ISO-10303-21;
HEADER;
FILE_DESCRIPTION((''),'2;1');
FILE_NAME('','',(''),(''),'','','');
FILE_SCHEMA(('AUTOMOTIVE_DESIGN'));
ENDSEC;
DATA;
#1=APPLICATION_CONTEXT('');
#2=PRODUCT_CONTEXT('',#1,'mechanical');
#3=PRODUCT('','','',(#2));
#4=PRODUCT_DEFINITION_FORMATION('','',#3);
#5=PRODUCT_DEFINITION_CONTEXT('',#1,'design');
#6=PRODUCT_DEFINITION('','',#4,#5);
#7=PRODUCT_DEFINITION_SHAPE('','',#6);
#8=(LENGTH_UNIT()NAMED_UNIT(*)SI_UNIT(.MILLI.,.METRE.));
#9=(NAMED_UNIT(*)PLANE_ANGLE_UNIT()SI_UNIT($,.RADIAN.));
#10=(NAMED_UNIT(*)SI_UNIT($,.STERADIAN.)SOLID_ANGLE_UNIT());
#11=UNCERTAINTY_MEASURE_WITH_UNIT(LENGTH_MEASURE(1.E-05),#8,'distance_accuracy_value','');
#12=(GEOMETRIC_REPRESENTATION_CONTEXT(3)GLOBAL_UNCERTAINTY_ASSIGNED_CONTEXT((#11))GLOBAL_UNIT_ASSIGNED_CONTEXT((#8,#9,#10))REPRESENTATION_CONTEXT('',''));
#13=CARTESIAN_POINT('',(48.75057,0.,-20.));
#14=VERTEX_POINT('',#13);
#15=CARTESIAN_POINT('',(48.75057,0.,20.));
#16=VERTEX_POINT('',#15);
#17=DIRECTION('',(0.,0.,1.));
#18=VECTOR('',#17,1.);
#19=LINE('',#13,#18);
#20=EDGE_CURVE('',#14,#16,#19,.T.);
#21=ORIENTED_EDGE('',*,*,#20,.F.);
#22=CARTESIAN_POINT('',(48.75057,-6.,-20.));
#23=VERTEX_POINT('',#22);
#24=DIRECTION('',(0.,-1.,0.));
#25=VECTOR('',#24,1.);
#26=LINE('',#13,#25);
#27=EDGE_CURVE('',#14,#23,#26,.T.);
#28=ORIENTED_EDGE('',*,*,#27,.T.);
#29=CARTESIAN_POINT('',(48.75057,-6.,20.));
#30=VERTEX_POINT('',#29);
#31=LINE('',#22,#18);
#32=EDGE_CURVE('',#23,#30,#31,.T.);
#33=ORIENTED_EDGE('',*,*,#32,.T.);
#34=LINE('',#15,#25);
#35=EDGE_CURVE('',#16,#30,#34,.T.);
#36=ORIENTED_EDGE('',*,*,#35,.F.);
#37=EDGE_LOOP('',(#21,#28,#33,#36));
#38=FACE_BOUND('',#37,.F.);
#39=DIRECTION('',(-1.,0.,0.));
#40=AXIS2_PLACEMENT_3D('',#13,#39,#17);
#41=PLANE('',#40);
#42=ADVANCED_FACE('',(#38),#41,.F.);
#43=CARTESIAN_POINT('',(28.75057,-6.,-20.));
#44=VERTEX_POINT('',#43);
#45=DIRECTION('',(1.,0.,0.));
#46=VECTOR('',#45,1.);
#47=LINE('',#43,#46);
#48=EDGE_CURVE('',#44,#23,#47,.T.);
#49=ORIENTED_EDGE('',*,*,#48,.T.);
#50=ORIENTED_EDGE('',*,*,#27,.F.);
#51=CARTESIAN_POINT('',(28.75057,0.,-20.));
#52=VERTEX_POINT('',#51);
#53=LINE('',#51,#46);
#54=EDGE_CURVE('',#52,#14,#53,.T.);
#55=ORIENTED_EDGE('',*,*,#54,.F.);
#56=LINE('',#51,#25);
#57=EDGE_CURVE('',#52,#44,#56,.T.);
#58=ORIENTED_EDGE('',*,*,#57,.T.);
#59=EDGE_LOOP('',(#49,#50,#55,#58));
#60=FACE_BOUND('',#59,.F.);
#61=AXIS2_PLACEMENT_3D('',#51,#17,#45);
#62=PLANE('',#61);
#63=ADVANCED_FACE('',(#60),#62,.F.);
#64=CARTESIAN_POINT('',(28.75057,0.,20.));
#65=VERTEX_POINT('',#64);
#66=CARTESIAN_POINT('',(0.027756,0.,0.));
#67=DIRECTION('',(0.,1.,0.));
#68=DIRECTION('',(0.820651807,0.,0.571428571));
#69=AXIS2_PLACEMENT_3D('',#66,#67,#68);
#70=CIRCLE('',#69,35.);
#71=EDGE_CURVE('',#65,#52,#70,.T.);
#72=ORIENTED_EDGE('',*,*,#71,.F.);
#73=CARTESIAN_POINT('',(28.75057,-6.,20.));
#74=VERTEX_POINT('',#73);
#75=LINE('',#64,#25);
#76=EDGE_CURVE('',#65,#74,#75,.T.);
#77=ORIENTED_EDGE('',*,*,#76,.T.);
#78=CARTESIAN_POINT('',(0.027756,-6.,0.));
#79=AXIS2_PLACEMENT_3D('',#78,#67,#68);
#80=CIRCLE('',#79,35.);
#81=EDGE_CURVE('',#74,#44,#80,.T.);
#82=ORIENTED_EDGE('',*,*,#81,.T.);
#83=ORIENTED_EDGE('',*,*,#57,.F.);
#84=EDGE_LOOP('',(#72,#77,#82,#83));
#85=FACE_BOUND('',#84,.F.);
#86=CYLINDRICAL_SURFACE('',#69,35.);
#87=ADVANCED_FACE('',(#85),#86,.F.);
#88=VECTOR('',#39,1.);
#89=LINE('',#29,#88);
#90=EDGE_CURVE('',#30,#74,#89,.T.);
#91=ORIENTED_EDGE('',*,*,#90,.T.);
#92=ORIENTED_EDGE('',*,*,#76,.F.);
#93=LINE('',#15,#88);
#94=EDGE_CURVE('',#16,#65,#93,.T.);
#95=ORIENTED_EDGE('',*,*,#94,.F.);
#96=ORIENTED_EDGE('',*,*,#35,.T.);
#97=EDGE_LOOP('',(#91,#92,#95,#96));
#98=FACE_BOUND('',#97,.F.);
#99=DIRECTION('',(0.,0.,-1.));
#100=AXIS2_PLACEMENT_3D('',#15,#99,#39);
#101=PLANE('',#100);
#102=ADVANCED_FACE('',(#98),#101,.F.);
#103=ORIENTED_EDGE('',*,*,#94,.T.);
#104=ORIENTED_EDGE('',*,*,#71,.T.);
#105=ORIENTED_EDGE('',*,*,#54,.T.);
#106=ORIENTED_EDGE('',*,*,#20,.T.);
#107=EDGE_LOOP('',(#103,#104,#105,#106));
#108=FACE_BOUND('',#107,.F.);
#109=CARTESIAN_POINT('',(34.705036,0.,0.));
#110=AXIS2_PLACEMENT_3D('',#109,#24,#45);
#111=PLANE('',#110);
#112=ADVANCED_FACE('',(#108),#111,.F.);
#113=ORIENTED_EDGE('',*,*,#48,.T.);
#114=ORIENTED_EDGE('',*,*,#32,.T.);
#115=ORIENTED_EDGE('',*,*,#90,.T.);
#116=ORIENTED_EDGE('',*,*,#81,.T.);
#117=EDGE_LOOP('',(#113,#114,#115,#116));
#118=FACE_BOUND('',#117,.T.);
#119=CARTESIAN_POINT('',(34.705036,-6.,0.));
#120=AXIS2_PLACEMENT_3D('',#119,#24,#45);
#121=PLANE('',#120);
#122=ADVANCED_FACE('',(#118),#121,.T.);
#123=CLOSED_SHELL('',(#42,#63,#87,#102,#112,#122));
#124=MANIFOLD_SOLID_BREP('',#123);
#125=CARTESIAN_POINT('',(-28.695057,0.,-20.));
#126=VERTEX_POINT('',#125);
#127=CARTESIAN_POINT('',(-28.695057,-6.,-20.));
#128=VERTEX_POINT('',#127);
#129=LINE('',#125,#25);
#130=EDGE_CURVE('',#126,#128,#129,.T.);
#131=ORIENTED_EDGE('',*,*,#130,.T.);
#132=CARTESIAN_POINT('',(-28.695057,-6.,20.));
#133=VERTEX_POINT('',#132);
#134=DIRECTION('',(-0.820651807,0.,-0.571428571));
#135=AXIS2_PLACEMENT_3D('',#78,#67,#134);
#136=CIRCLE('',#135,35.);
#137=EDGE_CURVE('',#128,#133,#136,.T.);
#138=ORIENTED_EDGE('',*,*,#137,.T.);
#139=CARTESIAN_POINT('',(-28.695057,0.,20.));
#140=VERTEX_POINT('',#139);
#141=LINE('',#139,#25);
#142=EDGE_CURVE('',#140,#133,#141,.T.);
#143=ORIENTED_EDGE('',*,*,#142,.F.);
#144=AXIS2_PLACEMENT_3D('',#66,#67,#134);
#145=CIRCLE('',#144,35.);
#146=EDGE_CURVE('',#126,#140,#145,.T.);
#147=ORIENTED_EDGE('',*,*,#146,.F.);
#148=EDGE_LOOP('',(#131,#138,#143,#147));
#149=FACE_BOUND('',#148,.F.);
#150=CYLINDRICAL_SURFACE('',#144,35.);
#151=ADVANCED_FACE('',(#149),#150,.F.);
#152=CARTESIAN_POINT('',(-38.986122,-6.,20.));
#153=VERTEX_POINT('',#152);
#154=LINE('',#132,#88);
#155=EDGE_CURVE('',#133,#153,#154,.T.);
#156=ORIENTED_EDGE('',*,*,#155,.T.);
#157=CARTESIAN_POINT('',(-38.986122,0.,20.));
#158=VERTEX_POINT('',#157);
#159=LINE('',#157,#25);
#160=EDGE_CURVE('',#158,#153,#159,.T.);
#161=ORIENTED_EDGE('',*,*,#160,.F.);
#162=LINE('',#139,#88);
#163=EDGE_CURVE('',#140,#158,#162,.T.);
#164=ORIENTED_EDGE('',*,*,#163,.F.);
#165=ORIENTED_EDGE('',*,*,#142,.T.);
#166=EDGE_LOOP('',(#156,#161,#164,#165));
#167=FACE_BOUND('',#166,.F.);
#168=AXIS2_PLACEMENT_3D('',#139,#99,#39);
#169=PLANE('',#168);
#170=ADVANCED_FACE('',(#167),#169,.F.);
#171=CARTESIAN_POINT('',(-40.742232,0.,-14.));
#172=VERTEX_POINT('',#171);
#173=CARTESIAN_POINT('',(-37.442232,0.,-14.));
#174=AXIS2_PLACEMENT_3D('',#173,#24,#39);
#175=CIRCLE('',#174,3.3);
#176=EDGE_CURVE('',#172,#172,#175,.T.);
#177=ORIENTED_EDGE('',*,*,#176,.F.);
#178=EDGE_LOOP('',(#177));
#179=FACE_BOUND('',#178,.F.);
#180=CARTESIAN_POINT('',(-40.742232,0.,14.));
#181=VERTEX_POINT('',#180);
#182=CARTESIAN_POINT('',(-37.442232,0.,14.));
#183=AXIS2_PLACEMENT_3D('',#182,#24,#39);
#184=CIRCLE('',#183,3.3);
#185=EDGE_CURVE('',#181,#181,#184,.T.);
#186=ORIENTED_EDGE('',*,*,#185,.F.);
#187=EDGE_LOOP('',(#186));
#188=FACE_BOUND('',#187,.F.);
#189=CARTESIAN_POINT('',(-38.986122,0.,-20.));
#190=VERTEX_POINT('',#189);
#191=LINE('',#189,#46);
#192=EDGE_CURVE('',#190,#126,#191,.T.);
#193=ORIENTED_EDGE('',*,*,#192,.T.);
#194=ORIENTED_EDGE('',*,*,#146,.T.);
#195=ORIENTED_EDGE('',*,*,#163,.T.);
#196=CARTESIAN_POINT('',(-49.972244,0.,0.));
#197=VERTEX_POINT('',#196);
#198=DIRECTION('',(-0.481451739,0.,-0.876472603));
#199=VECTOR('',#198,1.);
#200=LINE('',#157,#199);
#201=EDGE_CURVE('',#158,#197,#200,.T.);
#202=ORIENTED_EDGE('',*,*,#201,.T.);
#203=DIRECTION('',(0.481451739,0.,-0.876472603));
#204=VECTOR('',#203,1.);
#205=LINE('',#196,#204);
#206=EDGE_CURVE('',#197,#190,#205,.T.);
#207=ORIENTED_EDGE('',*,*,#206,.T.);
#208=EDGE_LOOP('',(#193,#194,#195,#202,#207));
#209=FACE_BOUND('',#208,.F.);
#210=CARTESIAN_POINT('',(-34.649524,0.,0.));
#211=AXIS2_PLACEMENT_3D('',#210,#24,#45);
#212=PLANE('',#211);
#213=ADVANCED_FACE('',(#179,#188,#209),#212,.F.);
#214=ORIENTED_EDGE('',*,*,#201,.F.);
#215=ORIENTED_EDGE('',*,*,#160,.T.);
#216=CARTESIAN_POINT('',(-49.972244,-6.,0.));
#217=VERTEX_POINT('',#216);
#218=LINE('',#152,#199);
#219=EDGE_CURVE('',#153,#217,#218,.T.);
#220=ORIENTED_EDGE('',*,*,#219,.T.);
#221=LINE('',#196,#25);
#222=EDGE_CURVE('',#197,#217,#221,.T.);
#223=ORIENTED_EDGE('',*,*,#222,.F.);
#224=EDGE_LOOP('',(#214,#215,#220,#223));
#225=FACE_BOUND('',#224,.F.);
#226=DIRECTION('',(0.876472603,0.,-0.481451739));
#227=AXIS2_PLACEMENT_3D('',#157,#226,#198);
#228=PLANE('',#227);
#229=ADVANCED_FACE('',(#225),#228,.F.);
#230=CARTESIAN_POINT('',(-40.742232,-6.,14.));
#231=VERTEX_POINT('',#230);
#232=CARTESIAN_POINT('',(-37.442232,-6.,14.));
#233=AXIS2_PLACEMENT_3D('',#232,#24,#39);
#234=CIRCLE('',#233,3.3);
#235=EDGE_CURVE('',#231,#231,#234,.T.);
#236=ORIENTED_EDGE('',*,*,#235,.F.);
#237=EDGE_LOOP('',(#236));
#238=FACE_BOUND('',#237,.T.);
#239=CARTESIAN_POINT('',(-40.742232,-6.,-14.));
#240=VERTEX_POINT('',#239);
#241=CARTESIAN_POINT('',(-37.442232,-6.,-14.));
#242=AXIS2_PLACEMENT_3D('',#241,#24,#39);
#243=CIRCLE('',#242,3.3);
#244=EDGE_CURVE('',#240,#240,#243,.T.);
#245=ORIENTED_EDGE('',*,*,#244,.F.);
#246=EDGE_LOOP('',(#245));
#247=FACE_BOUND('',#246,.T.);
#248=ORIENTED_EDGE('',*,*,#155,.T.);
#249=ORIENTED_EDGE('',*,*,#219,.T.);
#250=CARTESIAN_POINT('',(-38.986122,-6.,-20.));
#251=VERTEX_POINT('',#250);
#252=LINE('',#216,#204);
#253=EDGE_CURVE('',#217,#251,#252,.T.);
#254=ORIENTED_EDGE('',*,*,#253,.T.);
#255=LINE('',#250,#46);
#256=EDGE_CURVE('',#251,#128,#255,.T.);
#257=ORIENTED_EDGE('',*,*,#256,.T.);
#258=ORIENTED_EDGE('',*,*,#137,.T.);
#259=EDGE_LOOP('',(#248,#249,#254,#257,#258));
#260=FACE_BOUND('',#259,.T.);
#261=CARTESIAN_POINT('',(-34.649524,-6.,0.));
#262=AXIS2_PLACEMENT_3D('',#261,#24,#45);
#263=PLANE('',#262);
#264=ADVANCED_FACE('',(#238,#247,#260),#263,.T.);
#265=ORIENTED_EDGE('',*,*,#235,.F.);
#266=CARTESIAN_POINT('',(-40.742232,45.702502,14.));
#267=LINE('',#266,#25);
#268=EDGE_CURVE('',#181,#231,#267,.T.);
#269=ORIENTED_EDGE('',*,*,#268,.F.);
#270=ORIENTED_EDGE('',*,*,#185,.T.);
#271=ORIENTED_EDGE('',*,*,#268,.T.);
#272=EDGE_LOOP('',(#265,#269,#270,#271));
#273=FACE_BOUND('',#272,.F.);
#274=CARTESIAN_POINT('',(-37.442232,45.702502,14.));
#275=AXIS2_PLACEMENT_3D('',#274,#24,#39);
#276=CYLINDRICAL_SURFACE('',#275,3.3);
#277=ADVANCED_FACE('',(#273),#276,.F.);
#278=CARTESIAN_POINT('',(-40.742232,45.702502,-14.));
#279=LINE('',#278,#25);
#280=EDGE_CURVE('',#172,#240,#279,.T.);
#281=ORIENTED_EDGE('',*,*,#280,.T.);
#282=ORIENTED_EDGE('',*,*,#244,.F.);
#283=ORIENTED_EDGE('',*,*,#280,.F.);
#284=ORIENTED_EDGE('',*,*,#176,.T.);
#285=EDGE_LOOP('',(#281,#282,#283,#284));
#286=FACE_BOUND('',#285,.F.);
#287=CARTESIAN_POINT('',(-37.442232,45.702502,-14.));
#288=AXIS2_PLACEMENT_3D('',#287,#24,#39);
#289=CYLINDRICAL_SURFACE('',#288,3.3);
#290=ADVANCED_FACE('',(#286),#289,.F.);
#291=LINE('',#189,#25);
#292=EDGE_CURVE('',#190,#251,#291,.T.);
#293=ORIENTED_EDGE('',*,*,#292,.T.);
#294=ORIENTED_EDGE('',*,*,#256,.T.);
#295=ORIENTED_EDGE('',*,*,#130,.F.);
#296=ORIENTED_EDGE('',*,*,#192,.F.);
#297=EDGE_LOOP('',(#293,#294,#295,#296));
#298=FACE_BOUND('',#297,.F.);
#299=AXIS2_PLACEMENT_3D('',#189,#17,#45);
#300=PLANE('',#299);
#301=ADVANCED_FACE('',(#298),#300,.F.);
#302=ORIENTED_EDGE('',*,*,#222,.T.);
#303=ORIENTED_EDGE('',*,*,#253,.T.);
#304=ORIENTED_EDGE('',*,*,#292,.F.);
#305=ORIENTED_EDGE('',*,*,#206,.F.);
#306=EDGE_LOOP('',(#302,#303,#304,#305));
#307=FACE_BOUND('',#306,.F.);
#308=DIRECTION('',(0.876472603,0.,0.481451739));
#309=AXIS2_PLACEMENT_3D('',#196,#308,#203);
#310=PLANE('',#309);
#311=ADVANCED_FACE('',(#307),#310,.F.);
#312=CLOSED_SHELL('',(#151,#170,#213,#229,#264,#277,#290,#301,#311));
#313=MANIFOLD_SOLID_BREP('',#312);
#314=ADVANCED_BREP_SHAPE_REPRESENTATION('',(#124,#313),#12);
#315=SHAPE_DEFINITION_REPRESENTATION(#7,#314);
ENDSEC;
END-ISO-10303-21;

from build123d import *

# Parameters (mm, degrees)
F1_DEPTH = 6
F2_D     = 6.6


with BuildPart() as f1:
    # F0 (on Front) → F1 (new body)
    with BuildSketch(Plane.XZ):
        with BuildLine():
            ThreePointArc((-28.6950568554, -20), (-34.9722436227, 0), (-28.6950568554, 20))
            Line((-28.6950568554, 20), (-34.6132597741, 20))
            ThreePointArc((-34.6132597741, 20), (-39.9722436227, 0), (-34.6132597741, -20))
            Line((-34.6132597741, -20), (-28.6950568554, -20))
        make_face()
        with BuildLine():
            ThreePointArc((-34.6132597741, -20), (-39.9722436227, 0), (-34.6132597741, 20))
            Line((-34.6132597741, 20), (-38.9861218113, 20))
            Line((-38.9861218113, 20), (-49.9722436227, 0))
            Line((-49.9722436227, 0), (-38.9861218113, -20))
            Line((-38.9861218113, -20), (-34.6132597741, -20))
        make_face()
    extrude(amount=F1_DEPTH)

    # F2 (through all)
    with Locations(Plane(origin=(0, 0, 0), x_dir=(1, 0, 0), z_dir=(0, 1, 0))):
        with Locations((-37.4422316131, 14), (-37.4422316131, -14)):
            Hole(F2_D / 2)


with BuildPart() as f1b:
    # F0 (on Front) → F1, piece 2 (new body)
    with BuildSketch(Plane.XZ):
        with BuildLine():
            Line((34.6687725287, 20), (28.75056961, 20))
            ThreePointArc((28.75056961, 20), (35.0277563773, 0), (28.75056961, -20))
            Line((28.75056961, -20), (34.6687725287, -20))
            ThreePointArc((34.6687725287, -20), (40.0277563773, 0), (34.6687725287, 20))
        make_face()
        with BuildLine():
            Line((48.75056961, 20), (34.6687725287, 20))
            ThreePointArc((34.6687725287, 20), (40.0277563773, 0), (34.6687725287, -20))
            Line((34.6687725287, -20), (48.75056961, -20))
            Line((48.75056961, -20), (48.75056961, 20))
        make_face()
    extrude(amount=F1_DEPTH)


solid = Compound([f1.part, f1b.part])
